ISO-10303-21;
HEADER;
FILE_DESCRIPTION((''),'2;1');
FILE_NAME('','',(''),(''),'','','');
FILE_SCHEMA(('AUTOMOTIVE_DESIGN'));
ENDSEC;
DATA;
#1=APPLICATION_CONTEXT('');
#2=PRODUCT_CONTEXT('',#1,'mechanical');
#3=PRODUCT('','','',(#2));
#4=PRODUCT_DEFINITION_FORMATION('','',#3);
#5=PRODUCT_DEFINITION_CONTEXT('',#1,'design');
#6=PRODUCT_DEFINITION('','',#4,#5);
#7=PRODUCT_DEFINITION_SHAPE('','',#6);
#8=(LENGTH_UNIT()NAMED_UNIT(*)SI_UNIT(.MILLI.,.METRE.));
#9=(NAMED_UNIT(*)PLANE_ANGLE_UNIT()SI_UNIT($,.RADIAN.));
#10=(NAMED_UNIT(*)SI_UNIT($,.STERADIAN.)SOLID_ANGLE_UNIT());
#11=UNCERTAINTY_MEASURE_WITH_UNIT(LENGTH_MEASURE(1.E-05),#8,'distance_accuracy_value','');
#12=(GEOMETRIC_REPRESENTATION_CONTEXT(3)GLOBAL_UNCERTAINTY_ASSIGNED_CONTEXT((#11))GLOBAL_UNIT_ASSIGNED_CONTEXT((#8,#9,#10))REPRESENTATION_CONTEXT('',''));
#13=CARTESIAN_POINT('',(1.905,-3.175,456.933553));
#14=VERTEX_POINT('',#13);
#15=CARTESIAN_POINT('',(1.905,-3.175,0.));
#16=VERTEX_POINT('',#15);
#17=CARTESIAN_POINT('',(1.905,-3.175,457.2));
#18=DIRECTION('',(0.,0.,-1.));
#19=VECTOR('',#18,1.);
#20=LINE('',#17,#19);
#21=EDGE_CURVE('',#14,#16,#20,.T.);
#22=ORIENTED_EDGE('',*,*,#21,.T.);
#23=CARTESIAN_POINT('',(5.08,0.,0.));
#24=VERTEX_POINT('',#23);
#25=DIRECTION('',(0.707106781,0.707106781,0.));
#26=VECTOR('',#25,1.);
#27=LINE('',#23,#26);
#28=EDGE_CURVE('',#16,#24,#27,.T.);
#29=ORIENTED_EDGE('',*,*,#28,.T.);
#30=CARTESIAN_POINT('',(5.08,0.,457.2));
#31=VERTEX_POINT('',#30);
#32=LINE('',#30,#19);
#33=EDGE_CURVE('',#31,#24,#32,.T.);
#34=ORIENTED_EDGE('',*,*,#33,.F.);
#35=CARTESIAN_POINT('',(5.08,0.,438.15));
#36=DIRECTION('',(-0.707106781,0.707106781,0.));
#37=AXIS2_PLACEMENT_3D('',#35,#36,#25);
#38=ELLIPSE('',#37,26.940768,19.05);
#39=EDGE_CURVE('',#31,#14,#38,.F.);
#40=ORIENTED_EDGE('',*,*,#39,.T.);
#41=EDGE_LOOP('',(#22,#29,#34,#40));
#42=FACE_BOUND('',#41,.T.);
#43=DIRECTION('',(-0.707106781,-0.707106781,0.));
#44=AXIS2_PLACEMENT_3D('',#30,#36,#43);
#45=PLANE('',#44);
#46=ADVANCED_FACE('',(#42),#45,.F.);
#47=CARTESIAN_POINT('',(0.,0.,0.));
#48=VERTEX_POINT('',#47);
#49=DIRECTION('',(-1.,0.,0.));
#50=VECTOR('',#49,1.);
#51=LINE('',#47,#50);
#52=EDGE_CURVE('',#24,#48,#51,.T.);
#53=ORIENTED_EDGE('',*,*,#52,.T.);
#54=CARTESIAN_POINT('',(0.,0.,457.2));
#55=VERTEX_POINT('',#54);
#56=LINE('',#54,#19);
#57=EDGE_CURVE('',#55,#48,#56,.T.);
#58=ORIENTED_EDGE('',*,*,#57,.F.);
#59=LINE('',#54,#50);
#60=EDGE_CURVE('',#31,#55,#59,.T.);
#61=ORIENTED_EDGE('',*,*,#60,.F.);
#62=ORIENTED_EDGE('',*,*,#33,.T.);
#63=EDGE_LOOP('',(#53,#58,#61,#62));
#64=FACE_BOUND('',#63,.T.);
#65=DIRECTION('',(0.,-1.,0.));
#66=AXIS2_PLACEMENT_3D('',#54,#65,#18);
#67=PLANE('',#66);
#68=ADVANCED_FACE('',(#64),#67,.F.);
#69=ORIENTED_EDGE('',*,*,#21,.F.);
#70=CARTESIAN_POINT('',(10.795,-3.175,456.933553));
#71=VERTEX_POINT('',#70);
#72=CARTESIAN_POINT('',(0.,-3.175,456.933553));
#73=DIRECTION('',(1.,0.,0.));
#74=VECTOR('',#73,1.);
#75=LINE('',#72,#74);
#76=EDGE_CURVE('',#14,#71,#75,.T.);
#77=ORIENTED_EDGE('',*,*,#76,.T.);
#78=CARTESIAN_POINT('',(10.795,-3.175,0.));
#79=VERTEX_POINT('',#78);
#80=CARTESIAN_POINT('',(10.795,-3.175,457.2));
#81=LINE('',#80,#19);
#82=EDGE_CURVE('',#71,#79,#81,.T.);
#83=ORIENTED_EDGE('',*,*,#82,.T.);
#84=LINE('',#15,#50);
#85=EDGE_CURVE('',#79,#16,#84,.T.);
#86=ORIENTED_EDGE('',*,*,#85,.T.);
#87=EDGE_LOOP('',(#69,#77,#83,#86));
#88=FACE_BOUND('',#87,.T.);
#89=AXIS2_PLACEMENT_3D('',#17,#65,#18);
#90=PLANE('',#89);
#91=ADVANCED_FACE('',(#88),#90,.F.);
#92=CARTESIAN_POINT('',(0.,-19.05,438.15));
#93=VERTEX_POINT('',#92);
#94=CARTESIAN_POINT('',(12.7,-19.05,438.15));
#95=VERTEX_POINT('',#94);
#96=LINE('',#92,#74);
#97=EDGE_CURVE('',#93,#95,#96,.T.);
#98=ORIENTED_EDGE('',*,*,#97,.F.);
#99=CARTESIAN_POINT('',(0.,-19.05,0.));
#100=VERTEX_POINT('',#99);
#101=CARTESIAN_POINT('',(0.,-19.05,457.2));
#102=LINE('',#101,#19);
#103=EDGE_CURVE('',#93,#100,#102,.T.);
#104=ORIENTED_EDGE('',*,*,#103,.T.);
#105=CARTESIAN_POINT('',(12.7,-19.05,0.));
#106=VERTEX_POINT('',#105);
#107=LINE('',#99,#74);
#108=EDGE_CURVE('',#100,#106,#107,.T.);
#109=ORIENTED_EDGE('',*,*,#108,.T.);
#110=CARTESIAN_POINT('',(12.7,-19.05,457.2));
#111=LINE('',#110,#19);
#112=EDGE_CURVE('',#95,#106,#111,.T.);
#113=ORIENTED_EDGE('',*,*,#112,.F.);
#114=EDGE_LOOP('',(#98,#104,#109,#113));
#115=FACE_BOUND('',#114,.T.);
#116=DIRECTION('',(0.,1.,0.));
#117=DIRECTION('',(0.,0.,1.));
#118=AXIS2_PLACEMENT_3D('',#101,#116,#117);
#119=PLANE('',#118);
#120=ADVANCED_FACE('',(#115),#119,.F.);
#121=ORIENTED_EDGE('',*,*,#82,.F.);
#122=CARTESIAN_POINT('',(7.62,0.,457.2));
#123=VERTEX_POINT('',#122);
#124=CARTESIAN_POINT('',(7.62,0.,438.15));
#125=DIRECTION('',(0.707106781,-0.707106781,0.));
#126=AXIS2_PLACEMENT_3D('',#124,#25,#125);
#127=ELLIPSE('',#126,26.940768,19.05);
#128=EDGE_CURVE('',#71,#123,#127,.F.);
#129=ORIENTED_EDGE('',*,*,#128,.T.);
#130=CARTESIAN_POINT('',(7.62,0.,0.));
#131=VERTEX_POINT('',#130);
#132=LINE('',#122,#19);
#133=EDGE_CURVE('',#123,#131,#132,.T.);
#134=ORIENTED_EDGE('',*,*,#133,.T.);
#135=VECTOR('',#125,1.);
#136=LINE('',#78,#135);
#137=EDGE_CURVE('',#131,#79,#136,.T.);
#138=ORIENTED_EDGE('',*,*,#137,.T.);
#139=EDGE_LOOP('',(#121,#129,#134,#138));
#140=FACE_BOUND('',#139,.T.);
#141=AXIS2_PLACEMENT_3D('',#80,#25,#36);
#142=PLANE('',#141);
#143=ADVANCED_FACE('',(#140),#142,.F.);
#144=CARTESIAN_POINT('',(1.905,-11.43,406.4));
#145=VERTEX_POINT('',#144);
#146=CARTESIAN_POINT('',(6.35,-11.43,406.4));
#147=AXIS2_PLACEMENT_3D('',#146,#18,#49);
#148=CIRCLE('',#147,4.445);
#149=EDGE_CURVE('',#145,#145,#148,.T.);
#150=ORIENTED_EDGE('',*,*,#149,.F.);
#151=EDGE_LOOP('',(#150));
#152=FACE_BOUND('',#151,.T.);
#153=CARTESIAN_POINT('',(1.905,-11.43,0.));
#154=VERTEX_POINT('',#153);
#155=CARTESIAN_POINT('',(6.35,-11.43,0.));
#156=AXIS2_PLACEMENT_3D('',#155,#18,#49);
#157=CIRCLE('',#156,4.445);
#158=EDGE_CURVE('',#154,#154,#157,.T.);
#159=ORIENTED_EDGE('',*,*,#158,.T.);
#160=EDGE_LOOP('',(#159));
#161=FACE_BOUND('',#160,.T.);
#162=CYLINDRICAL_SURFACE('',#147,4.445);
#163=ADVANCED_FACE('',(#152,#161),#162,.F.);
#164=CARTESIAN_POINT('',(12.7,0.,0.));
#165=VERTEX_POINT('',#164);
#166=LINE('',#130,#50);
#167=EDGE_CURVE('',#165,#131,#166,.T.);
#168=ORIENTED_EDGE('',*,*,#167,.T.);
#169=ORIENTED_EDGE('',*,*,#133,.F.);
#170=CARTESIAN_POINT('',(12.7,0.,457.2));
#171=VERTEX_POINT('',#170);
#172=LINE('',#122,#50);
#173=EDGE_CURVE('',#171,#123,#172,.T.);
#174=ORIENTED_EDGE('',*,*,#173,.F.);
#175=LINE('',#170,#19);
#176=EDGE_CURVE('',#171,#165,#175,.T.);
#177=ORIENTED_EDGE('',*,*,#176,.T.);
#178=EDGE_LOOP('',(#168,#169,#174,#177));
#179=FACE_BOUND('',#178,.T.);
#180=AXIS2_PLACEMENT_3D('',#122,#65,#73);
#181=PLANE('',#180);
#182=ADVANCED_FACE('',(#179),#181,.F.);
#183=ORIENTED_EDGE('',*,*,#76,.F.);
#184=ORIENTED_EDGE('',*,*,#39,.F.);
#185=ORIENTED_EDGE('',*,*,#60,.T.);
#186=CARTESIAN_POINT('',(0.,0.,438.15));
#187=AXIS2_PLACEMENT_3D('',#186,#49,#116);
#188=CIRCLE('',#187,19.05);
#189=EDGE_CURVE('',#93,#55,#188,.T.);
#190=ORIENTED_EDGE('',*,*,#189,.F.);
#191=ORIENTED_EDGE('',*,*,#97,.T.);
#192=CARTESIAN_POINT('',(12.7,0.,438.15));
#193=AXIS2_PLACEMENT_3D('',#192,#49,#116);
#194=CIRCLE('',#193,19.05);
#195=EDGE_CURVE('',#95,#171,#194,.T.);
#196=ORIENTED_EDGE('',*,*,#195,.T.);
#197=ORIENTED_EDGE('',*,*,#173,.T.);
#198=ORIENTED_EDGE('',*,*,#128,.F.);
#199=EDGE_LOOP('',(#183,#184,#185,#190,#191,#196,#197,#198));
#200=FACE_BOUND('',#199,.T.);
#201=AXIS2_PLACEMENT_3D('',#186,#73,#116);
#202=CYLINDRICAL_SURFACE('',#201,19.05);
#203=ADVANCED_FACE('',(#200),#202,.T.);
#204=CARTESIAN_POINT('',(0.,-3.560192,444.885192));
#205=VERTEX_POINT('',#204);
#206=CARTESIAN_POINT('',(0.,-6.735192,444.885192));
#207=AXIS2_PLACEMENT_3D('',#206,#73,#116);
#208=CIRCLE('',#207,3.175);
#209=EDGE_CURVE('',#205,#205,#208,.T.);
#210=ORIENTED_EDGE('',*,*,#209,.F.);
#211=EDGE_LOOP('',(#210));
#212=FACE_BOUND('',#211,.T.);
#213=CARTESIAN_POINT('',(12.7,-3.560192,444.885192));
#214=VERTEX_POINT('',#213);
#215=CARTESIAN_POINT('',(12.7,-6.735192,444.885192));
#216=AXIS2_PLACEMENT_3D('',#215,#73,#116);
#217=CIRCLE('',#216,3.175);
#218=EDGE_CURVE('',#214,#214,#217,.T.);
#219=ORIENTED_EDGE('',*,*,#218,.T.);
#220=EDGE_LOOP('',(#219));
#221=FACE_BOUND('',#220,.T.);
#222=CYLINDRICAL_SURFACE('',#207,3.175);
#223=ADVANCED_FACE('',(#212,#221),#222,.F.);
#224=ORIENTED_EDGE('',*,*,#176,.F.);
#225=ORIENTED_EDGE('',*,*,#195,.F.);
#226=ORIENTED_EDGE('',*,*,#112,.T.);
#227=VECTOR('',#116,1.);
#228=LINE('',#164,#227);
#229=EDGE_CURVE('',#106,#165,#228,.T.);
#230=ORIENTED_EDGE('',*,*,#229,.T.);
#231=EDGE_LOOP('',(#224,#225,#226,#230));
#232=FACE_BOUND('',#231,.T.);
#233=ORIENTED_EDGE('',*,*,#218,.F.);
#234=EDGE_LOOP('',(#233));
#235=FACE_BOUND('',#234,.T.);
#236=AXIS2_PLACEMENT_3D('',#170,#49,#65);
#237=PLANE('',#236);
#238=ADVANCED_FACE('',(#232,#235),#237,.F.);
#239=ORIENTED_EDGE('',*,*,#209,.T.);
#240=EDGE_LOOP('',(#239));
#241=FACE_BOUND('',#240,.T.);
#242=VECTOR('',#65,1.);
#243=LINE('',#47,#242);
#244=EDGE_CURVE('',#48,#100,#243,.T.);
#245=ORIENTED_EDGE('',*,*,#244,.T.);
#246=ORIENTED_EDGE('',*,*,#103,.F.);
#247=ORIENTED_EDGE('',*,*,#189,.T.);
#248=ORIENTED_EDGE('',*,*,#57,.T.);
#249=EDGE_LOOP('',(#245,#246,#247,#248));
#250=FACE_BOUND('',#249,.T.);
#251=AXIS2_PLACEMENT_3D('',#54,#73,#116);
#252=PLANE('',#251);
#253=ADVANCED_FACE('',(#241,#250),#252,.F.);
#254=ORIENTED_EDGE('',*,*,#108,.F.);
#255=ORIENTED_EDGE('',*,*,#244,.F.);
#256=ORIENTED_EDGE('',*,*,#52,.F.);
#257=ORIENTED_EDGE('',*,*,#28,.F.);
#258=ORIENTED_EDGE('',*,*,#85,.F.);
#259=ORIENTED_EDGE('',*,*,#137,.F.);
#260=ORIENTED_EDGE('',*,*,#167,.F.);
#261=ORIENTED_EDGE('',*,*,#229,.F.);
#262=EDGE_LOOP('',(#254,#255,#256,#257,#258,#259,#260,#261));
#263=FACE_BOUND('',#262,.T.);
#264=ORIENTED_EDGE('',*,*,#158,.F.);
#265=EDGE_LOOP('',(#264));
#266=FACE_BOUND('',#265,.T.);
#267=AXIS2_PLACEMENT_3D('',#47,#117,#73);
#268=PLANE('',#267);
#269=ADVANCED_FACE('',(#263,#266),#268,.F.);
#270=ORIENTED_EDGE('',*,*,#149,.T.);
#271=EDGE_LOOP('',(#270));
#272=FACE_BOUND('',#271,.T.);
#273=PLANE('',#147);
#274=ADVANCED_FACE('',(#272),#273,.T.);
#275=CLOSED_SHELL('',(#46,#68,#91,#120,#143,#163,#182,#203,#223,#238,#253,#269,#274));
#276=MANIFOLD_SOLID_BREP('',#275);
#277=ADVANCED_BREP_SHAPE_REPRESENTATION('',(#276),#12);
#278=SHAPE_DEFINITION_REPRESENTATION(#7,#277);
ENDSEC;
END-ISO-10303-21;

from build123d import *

# Parameters (mm, degrees)
BOSS_EXTRUDE1_DEPTH = 457.2
CUT_EXTRUDE1_DEPTH  = 458.772904943
SKETCH3_R           = 3.175
CUT_EXTRUDE2_DEPTH  = 458.772904943
SKETCH4_R           = 4.445
CUT_EXTRUDE3_DEPTH  = 406.4


with BuildPart() as part:
    # Sketch1 → Boss-Extrude1 (new body)
    with BuildSketch(Plane.XY):
        Polygon((5.08, 0), (1.905, -3.175), (10.795, -3.175), (7.62, 0), (12.7, 0), (12.7, -19.05), (0, -19.05), (0, 0), align=None)
    extrude(amount=BOSS_EXTRUDE1_DEPTH)

    # Sketch2 → Cut-Extrude1 (cut, through all)
    with BuildSketch(Plane(origin=(12.7, 0, 0), x_dir=(0, 0, -1), z_dir=(1, 0, 0))):
        with BuildLine():
            Line((-457.2, 0), (-457.2, -19.05))
            Line((-457.2, -19.05), (-438.15, -19.05))
            ThreePointArc((-438.15, -19.05), (-451.620384182, -13.470384182), (-457.2, 0))
        make_face()
    extrude(amount=-CUT_EXTRUDE1_DEPTH, mode=Mode.SUBTRACT)

    # Sketch3 → Cut-Extrude2 (cut, through all)
    with BuildSketch(Plane(origin=(12.7, 0, 0), x_dir=(0, 0, -1), z_dir=(1, 0, 0))):
        with Locations(Location((-444.885192091, -6.735192091, 0), (0, 0, 90))):
            Circle(SKETCH3_R)
    extrude(amount=-CUT_EXTRUDE2_DEPTH, mode=Mode.SUBTRACT)

    # Sketch4 → Cut-Extrude3 (cut)
    with BuildSketch(Plane(origin=(0, 0, 0), x_dir=(-1, 0, 0), z_dir=(0, 0, -1))):
        with Locations((-6.35, -11.43)):
            Circle(SKETCH4_R)
    extrude(amount=-CUT_EXTRUDE3_DEPTH, mode=Mode.SUBTRACT)


solid = part.part
